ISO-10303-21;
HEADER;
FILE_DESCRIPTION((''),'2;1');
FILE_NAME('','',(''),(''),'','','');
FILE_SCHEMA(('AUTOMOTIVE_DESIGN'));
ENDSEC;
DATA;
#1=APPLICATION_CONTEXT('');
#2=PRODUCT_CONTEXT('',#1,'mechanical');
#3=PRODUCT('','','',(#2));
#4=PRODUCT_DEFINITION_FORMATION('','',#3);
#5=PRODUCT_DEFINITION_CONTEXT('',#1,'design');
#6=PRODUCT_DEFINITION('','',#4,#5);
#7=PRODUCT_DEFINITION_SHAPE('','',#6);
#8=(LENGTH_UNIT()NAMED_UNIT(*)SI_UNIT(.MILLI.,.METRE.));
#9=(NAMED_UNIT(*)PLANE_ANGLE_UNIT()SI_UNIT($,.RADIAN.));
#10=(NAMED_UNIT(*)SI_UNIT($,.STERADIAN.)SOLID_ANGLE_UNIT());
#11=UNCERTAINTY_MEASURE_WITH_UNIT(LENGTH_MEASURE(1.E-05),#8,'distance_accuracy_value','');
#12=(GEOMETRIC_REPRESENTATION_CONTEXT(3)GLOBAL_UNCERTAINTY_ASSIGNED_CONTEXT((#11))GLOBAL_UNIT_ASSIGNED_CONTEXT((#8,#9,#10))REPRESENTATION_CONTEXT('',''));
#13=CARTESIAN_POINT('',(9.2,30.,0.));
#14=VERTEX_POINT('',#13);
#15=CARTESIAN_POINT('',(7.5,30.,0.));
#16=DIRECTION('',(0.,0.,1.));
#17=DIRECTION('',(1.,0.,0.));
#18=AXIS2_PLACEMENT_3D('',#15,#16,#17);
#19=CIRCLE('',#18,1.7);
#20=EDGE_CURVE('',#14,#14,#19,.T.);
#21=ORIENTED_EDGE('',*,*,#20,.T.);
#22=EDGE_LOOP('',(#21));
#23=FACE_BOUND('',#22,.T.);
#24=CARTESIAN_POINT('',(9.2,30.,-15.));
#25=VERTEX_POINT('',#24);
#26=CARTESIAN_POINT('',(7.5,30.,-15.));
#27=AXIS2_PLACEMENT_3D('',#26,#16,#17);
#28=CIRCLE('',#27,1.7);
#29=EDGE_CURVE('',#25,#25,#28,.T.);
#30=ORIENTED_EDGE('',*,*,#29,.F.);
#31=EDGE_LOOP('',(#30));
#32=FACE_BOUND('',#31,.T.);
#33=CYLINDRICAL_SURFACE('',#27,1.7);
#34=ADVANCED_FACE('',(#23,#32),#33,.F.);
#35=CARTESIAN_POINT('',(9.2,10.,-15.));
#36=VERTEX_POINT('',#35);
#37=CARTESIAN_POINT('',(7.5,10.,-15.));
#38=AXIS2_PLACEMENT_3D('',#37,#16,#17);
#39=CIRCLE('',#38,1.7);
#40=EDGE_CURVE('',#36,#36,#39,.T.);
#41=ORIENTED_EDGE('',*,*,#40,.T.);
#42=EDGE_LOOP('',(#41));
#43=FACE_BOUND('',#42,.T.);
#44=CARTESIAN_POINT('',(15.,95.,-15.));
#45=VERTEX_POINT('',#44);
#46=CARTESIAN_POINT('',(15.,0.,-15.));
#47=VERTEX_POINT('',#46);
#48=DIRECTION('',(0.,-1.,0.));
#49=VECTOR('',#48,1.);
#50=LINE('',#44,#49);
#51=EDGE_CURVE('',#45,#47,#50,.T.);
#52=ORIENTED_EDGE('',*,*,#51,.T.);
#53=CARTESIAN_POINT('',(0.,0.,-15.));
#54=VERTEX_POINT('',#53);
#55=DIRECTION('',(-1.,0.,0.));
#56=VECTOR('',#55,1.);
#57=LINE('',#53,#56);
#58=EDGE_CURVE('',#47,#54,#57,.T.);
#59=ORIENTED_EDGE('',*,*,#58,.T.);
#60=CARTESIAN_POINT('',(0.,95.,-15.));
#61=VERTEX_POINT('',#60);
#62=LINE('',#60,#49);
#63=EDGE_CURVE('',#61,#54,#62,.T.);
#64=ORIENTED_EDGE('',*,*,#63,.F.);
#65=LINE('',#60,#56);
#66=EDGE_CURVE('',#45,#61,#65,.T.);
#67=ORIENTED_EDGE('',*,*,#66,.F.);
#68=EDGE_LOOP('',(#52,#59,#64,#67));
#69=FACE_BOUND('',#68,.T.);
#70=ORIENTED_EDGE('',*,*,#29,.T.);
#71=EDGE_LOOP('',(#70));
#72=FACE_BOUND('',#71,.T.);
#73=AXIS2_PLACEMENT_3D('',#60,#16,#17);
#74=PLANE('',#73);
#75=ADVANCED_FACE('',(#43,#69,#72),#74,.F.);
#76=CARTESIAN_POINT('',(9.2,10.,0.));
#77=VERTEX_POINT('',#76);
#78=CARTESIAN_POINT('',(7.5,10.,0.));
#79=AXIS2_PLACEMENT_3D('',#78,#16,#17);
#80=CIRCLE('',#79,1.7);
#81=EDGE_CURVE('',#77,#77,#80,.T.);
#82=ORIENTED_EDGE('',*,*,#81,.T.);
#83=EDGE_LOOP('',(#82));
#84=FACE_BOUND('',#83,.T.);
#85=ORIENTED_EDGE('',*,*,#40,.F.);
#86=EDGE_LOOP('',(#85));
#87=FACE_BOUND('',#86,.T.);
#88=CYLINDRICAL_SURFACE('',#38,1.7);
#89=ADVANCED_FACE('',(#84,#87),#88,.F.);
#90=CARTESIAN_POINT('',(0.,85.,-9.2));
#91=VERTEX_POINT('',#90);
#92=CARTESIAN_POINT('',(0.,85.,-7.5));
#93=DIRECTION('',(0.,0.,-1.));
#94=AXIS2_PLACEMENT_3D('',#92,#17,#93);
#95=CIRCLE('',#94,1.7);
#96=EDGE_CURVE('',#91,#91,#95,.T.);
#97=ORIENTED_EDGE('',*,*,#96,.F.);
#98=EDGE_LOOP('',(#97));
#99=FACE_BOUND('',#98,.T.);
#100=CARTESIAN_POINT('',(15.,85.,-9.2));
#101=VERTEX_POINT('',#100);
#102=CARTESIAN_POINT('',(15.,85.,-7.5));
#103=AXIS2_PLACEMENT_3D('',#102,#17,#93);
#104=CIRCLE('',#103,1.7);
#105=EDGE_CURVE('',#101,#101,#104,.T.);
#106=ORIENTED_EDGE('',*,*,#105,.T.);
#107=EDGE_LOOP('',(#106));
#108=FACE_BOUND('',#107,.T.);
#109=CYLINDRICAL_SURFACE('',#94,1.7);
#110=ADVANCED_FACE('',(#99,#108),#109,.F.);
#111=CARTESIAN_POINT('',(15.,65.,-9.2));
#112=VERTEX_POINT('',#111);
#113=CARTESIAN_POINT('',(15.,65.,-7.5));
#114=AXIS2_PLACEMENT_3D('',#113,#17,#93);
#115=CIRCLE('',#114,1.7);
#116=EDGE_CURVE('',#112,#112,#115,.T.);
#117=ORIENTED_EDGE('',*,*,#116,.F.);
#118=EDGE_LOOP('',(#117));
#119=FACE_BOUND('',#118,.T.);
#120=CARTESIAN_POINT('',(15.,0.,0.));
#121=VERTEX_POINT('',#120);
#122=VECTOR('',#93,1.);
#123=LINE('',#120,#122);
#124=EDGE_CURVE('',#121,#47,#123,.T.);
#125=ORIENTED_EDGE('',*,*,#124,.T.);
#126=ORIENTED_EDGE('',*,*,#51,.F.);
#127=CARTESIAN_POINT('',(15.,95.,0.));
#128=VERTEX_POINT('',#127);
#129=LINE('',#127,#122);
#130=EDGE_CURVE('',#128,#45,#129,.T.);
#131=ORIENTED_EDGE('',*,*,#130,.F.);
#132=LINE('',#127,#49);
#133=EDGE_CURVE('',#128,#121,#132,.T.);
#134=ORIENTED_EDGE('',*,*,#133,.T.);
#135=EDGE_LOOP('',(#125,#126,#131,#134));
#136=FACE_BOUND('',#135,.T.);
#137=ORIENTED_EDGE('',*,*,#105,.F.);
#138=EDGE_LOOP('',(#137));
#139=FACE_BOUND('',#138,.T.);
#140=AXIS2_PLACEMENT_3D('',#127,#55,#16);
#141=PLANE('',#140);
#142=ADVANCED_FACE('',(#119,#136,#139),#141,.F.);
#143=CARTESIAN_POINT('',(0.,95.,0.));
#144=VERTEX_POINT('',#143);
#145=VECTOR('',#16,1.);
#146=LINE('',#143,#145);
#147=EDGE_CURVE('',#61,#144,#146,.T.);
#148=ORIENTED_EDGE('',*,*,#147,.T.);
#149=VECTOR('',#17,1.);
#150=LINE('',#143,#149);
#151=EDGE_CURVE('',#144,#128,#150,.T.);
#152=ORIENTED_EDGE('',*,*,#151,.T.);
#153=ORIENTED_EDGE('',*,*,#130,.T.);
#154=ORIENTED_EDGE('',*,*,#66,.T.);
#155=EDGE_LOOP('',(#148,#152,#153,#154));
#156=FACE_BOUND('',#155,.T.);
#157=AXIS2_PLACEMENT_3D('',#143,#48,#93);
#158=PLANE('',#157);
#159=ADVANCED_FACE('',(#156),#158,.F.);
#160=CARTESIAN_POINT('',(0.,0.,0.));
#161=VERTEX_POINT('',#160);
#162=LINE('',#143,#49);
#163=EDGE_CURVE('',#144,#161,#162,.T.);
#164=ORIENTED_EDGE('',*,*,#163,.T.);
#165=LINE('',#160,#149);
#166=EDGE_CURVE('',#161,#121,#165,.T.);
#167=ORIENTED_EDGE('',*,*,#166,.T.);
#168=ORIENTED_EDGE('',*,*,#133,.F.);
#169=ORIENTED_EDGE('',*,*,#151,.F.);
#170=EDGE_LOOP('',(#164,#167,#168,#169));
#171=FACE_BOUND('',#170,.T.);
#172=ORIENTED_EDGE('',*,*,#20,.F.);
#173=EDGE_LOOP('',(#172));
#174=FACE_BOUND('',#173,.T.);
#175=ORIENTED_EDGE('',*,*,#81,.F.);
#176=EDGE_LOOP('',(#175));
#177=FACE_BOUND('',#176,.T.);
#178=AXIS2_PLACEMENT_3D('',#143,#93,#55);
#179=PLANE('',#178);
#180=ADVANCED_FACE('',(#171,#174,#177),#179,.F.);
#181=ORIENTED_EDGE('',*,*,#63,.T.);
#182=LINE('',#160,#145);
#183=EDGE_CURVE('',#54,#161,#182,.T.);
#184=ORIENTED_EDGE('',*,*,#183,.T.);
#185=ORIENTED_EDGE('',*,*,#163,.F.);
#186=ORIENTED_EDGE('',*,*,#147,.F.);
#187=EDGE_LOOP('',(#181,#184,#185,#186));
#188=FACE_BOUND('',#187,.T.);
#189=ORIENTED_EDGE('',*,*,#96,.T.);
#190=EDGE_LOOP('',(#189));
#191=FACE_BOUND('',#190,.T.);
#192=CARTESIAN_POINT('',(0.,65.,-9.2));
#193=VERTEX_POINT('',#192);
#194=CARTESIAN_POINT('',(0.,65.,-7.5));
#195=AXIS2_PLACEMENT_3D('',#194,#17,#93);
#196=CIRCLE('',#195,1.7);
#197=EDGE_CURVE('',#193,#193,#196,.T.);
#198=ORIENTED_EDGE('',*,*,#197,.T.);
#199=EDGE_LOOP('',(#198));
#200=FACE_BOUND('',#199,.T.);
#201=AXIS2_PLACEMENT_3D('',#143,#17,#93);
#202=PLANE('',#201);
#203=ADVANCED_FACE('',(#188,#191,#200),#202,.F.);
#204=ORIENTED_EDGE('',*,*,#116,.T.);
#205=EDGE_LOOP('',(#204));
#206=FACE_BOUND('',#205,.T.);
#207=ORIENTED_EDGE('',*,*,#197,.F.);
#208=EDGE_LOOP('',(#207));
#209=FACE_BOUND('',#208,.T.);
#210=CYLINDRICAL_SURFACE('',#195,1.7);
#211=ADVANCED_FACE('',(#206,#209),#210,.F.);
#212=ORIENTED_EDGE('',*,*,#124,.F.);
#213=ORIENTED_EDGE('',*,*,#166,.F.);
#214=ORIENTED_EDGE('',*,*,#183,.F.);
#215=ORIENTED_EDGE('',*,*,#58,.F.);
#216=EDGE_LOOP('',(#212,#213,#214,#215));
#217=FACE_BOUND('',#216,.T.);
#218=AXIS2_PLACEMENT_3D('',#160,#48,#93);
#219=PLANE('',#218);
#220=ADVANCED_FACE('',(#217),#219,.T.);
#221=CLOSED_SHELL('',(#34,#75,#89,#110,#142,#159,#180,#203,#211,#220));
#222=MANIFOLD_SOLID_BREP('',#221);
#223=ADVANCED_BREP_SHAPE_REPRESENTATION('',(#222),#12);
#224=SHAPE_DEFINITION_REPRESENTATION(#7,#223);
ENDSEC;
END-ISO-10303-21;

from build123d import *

# Parameters (mm, degrees)
SKETCH_1_W          = 15
SKETCH_1_H          = 15
EXTRUDE_1_DEPTH     = 95
SKETCH_2_R          = 1.7
CUT_EXTRUDE_1_DEPTH = 98.33961167
SKETCH_3_R          = 1.7
CUT_EXTRUDE_2_DEPTH = 98.33961167


with BuildPart() as part:
    # 草图1 → 凸台-拉伸1 (new body)
    with BuildSketch(Plane(origin=(0, 0, 0), x_dir=(1, 0, 0), z_dir=(0, 1, 0))):
        with Locations((7.5, 7.5)):
            Rectangle(SKETCH_1_W, SKETCH_1_H)
    extrude(amount=EXTRUDE_1_DEPTH)

    # 草图2 → 切除-拉伸1 (cut, through all)
    with BuildSketch(Plane.XY):
        with Locations((7.5, 10)):
            Circle(SKETCH_2_R)
        with Locations((7.5, 30)):
            Circle(SKETCH_2_R)
    extrude(amount=-CUT_EXTRUDE_1_DEPTH, mode=Mode.SUBTRACT)

    # 草图3 → 切除-拉伸2 (cut, through all)
    with BuildSketch(Plane(origin=(15, 0, 0), x_dir=(0, 0, -1), z_dir=(1, 0, 0))):
        with Locations((7.5, 85)):
            Circle(SKETCH_3_R)
        with Locations((7.5, 65)):
            Circle(SKETCH_3_R)
    extrude(amount=-CUT_EXTRUDE_2_DEPTH, mode=Mode.SUBTRACT)


solid = part.part
